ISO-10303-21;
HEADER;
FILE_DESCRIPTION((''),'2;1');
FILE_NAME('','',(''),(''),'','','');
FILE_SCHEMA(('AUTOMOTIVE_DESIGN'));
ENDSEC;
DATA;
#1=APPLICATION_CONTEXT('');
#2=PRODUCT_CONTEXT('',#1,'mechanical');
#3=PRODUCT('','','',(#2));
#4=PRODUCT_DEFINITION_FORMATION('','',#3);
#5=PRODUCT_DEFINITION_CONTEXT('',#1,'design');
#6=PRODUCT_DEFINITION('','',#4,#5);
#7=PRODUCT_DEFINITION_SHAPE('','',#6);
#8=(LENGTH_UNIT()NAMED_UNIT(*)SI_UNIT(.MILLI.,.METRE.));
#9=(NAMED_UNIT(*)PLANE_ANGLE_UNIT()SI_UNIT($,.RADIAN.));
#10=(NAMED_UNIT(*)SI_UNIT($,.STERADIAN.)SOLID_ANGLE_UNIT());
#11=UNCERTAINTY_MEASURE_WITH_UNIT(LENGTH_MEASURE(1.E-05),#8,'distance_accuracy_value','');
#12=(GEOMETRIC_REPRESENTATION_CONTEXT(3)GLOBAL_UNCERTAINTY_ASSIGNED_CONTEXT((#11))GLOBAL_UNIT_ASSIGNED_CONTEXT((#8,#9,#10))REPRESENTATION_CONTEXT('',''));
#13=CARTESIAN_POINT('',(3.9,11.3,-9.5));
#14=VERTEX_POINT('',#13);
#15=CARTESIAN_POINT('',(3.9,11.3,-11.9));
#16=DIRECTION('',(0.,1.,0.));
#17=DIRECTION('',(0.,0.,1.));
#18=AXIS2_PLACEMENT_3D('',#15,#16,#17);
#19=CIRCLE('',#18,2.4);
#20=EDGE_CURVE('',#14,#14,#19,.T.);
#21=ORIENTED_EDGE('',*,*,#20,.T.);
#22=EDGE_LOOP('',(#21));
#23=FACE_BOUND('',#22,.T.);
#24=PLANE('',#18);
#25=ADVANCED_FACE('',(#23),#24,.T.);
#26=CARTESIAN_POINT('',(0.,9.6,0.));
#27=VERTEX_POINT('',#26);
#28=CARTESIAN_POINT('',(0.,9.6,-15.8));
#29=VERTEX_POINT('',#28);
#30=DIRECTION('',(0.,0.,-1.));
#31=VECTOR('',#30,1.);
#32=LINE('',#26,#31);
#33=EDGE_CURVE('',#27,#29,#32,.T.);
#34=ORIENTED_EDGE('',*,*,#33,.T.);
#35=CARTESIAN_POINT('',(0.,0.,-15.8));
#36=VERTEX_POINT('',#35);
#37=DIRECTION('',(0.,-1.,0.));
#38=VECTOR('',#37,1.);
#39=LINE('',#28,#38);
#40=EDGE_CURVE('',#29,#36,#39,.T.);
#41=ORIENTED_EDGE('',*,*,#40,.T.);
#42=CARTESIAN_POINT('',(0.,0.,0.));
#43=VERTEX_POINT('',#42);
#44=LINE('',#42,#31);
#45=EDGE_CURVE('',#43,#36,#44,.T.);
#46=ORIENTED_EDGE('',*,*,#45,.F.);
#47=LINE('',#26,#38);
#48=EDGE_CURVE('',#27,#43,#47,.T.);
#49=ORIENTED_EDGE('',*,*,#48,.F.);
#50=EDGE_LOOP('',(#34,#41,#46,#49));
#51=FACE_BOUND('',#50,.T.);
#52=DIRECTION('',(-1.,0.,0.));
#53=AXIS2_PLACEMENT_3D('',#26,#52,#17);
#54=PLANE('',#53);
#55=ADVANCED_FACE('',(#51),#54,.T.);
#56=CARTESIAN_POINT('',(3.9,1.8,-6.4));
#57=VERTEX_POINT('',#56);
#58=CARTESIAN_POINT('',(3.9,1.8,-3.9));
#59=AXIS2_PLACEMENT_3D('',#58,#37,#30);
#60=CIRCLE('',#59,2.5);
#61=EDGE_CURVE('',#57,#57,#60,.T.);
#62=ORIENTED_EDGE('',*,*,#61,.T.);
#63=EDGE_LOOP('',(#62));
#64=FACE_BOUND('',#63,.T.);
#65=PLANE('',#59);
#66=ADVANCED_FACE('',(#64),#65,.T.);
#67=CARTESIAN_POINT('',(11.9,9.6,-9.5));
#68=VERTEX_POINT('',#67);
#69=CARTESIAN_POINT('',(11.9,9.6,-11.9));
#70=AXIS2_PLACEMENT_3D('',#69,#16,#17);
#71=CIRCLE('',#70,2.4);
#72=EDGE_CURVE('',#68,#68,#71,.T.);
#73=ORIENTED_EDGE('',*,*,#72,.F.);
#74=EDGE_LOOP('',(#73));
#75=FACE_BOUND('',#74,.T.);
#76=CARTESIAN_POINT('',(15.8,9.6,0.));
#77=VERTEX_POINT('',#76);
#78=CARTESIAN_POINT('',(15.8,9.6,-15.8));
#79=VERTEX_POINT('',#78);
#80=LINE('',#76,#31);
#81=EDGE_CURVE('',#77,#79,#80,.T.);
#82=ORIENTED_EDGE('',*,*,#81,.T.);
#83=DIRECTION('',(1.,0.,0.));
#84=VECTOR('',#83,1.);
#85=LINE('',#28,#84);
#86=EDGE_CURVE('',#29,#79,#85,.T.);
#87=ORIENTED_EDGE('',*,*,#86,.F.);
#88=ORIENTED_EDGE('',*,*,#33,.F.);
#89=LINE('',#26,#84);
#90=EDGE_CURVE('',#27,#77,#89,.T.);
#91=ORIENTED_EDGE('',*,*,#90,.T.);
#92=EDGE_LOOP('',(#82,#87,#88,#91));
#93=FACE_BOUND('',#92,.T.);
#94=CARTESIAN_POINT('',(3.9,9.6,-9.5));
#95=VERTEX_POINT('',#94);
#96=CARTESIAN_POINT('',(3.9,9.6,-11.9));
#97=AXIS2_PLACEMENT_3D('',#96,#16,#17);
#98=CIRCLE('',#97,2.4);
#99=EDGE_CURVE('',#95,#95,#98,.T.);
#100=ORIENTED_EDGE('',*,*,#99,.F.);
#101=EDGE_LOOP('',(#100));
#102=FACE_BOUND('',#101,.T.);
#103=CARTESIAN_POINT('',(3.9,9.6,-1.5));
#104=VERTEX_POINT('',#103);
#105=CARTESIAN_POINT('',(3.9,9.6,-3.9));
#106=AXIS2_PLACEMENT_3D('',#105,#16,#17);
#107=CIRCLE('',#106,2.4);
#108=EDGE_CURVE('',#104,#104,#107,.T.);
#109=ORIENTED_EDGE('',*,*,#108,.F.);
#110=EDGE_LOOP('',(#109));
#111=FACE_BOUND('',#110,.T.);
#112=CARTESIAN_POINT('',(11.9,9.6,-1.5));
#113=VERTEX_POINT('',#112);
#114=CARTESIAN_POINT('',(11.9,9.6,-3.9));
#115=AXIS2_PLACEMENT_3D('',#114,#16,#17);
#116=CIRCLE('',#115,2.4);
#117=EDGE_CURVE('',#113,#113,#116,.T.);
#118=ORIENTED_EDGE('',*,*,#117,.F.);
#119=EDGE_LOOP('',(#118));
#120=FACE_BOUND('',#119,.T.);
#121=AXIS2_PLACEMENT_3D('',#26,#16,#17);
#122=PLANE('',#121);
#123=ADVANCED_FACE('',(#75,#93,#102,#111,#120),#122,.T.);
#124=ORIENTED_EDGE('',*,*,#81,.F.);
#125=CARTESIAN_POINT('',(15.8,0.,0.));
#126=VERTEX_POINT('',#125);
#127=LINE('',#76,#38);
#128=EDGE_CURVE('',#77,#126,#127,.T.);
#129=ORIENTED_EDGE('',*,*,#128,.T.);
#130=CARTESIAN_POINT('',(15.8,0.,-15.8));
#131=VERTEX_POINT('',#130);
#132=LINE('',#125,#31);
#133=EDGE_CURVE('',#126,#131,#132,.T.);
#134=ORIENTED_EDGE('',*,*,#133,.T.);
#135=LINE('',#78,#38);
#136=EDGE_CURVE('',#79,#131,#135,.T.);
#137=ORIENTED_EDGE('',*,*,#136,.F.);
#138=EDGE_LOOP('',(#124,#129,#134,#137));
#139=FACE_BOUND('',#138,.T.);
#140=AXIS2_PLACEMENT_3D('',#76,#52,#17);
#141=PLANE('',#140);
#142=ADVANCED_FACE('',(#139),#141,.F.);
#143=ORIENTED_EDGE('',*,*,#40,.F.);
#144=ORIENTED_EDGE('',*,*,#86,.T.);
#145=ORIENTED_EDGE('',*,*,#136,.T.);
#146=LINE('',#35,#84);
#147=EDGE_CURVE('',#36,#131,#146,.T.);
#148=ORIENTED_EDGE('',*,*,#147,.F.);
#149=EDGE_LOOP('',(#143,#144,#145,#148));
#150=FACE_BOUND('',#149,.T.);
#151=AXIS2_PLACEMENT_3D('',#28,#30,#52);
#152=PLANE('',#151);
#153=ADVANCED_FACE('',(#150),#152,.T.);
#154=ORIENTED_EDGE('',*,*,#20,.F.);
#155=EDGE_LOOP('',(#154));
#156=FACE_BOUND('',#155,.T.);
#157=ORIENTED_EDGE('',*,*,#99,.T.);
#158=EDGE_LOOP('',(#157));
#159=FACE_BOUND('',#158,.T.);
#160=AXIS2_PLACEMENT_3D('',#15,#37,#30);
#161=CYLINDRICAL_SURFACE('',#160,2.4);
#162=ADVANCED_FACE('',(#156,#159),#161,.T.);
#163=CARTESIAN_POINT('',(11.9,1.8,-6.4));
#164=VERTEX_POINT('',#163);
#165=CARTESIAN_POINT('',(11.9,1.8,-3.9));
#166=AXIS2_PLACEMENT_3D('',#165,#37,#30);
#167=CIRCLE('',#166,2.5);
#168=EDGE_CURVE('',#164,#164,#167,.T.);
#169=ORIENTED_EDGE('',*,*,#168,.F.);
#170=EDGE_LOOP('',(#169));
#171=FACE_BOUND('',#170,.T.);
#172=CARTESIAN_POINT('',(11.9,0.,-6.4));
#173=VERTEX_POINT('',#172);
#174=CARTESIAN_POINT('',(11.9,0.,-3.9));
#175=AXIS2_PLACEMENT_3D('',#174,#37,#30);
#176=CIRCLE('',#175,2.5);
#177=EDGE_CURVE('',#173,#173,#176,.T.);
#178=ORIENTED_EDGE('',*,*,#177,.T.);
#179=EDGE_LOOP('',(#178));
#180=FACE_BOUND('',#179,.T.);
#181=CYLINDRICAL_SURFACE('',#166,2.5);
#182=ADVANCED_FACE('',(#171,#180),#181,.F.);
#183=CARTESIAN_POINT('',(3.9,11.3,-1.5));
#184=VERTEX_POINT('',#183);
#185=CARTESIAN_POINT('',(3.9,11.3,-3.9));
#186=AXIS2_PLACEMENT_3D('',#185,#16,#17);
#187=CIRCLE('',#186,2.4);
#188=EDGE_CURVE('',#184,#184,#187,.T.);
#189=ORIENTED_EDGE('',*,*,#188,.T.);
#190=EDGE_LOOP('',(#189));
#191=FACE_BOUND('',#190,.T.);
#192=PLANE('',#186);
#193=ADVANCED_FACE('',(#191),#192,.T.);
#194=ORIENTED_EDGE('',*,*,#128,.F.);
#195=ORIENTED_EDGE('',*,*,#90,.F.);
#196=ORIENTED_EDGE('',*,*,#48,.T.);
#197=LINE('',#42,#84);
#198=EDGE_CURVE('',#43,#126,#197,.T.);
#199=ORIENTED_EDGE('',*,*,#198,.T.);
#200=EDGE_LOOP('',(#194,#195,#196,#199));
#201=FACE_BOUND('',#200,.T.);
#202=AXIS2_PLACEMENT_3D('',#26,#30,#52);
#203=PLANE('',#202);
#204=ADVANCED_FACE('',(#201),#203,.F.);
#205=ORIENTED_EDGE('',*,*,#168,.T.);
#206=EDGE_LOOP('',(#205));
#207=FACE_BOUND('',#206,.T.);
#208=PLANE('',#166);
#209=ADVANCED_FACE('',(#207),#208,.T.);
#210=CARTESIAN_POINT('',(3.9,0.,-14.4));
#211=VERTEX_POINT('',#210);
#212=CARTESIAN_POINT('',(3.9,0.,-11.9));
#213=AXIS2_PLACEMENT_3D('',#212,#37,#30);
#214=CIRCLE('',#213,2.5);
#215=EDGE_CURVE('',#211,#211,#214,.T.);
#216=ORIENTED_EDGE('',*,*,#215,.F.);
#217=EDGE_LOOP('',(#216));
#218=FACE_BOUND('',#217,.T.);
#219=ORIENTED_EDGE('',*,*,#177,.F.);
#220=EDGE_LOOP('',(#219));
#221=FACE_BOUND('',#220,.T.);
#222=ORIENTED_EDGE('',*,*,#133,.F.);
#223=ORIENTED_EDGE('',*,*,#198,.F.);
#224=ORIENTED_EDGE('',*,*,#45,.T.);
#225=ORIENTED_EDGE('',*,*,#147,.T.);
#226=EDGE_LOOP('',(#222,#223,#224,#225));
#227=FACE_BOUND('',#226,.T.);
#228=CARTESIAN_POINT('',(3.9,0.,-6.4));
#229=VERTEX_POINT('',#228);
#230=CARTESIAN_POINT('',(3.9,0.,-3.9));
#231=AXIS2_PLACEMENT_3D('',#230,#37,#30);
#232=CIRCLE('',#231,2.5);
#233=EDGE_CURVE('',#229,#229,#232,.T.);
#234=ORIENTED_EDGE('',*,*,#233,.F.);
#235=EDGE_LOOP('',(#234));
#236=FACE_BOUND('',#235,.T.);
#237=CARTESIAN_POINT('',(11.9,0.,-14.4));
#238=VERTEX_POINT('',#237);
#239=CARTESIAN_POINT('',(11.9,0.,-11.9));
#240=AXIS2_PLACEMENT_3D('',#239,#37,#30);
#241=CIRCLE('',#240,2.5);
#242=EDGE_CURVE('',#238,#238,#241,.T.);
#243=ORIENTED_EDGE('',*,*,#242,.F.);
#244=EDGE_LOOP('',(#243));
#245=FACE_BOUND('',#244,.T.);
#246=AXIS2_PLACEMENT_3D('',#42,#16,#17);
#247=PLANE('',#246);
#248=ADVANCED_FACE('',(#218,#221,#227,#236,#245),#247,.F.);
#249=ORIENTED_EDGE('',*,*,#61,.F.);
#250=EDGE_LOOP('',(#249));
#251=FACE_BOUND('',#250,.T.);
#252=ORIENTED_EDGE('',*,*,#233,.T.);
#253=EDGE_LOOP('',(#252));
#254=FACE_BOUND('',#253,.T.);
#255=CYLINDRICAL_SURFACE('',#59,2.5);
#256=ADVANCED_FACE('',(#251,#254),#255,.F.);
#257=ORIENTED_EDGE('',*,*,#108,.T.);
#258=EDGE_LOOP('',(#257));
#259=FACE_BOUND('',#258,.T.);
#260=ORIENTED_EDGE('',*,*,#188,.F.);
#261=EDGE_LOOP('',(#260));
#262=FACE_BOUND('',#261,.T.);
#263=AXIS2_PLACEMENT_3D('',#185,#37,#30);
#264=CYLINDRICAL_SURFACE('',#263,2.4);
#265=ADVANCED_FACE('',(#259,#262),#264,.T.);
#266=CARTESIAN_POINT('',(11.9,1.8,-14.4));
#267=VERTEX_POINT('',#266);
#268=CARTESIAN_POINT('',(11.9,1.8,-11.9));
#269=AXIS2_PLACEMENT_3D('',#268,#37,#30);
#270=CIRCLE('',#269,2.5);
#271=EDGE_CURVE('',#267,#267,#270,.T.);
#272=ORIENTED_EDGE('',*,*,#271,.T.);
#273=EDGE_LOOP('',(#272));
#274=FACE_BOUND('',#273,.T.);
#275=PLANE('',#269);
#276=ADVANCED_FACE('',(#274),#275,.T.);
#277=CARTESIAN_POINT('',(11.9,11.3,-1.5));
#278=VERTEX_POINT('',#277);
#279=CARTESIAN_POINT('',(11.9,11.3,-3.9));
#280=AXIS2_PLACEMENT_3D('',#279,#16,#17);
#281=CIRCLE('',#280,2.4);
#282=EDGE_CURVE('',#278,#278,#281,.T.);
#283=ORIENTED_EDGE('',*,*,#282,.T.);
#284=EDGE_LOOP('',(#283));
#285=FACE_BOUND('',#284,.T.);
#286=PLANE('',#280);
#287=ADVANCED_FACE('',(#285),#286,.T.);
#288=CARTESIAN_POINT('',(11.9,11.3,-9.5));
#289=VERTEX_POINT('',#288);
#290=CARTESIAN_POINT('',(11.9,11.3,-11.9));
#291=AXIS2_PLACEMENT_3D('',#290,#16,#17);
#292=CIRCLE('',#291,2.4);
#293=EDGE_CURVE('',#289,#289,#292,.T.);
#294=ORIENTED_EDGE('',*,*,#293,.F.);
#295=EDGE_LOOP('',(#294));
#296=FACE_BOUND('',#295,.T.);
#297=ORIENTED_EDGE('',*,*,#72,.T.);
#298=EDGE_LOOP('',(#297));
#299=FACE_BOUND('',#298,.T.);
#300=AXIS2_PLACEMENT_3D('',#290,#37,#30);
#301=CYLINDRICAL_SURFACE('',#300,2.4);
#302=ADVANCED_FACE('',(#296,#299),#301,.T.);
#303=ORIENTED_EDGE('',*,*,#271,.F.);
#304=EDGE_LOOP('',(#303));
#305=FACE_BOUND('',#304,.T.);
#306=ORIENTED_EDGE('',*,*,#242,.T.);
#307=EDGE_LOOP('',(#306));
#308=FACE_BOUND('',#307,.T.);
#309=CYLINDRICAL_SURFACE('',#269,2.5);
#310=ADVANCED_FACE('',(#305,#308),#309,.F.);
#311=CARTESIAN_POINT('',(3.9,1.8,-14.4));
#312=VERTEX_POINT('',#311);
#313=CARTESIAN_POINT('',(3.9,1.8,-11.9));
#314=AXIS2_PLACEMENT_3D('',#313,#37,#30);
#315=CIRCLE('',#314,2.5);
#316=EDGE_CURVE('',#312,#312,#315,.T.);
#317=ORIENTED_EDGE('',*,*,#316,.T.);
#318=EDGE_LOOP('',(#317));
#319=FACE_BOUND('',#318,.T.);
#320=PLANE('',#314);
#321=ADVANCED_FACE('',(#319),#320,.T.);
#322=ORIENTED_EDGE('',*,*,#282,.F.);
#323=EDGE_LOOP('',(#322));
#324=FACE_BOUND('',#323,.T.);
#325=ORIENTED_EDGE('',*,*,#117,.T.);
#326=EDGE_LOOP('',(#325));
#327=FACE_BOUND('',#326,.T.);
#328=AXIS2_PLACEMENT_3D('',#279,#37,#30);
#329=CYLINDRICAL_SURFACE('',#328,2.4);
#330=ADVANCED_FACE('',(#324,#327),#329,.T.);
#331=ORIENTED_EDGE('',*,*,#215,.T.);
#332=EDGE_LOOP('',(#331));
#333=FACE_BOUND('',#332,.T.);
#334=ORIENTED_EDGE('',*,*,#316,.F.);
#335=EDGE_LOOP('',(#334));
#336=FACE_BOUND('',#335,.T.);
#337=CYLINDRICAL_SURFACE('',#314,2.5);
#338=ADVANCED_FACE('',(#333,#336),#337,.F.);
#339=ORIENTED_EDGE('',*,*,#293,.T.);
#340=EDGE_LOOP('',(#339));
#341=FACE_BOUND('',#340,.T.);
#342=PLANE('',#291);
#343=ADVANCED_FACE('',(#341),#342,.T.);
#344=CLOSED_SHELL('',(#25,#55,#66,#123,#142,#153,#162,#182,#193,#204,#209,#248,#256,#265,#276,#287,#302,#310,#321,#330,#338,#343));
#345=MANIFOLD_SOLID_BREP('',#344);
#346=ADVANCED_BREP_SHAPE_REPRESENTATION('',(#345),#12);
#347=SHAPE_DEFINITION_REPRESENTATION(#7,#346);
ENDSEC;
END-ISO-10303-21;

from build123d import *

# Parameters (mm, degrees)
SKETCH_1_W          = 15.8
SKETCH_1_H          = 15.8
EXTRUDE_1_DEPTH     = 9.6
SKETCH_2_R          = 2.4
EXTRUDE_2_DEPTH     = 1.7
SKETCH_3_R          = 2.5
CUT_EXTRUDE_2_DEPTH = 1.8


with BuildPart() as part:
    # Эскиз1 → Бобышка-Вытянуть1 (new body)
    with BuildSketch(Plane(origin=(0, 0, 0), x_dir=(1, 0, 0), z_dir=(0, 1, 0))):
        with Locations((7.9, 7.9)):
            Rectangle(SKETCH_1_W, SKETCH_1_H)
    extrude(amount=EXTRUDE_1_DEPTH)

    # Эскиз2 → Бобышка-Вытянуть2 (add)
    with BuildSketch(Plane(origin=(0, 9.6, 0), x_dir=(1, 0, 0), z_dir=(0, 1, 0))):
        with Locations((3.9, 11.9)):
            Circle(SKETCH_2_R)
        with Locations((11.9, 11.9)):
            Circle(SKETCH_2_R)
        with Locations((11.9, 3.9)):
            Circle(SKETCH_2_R)
        with Locations((3.9, 3.9)):
            Circle(SKETCH_2_R)
    extrude(amount=EXTRUDE_2_DEPTH)

    # Эскиз3 → Вырез-Вытянуть2 (cut)
    with BuildSketch(Plane.XZ):
        with Locations((11.9, -3.9)):
            Circle(SKETCH_3_R)
        with Locations((3.9, -3.9)):
            Circle(SKETCH_3_R)
        with Locations((3.9, -11.9)):
            Circle(SKETCH_3_R)
        with Locations((11.9, -11.9)):
            Circle(SKETCH_3_R)
    extrude(amount=-CUT_EXTRUDE_2_DEPTH, mode=Mode.SUBTRACT)


solid = part.part
